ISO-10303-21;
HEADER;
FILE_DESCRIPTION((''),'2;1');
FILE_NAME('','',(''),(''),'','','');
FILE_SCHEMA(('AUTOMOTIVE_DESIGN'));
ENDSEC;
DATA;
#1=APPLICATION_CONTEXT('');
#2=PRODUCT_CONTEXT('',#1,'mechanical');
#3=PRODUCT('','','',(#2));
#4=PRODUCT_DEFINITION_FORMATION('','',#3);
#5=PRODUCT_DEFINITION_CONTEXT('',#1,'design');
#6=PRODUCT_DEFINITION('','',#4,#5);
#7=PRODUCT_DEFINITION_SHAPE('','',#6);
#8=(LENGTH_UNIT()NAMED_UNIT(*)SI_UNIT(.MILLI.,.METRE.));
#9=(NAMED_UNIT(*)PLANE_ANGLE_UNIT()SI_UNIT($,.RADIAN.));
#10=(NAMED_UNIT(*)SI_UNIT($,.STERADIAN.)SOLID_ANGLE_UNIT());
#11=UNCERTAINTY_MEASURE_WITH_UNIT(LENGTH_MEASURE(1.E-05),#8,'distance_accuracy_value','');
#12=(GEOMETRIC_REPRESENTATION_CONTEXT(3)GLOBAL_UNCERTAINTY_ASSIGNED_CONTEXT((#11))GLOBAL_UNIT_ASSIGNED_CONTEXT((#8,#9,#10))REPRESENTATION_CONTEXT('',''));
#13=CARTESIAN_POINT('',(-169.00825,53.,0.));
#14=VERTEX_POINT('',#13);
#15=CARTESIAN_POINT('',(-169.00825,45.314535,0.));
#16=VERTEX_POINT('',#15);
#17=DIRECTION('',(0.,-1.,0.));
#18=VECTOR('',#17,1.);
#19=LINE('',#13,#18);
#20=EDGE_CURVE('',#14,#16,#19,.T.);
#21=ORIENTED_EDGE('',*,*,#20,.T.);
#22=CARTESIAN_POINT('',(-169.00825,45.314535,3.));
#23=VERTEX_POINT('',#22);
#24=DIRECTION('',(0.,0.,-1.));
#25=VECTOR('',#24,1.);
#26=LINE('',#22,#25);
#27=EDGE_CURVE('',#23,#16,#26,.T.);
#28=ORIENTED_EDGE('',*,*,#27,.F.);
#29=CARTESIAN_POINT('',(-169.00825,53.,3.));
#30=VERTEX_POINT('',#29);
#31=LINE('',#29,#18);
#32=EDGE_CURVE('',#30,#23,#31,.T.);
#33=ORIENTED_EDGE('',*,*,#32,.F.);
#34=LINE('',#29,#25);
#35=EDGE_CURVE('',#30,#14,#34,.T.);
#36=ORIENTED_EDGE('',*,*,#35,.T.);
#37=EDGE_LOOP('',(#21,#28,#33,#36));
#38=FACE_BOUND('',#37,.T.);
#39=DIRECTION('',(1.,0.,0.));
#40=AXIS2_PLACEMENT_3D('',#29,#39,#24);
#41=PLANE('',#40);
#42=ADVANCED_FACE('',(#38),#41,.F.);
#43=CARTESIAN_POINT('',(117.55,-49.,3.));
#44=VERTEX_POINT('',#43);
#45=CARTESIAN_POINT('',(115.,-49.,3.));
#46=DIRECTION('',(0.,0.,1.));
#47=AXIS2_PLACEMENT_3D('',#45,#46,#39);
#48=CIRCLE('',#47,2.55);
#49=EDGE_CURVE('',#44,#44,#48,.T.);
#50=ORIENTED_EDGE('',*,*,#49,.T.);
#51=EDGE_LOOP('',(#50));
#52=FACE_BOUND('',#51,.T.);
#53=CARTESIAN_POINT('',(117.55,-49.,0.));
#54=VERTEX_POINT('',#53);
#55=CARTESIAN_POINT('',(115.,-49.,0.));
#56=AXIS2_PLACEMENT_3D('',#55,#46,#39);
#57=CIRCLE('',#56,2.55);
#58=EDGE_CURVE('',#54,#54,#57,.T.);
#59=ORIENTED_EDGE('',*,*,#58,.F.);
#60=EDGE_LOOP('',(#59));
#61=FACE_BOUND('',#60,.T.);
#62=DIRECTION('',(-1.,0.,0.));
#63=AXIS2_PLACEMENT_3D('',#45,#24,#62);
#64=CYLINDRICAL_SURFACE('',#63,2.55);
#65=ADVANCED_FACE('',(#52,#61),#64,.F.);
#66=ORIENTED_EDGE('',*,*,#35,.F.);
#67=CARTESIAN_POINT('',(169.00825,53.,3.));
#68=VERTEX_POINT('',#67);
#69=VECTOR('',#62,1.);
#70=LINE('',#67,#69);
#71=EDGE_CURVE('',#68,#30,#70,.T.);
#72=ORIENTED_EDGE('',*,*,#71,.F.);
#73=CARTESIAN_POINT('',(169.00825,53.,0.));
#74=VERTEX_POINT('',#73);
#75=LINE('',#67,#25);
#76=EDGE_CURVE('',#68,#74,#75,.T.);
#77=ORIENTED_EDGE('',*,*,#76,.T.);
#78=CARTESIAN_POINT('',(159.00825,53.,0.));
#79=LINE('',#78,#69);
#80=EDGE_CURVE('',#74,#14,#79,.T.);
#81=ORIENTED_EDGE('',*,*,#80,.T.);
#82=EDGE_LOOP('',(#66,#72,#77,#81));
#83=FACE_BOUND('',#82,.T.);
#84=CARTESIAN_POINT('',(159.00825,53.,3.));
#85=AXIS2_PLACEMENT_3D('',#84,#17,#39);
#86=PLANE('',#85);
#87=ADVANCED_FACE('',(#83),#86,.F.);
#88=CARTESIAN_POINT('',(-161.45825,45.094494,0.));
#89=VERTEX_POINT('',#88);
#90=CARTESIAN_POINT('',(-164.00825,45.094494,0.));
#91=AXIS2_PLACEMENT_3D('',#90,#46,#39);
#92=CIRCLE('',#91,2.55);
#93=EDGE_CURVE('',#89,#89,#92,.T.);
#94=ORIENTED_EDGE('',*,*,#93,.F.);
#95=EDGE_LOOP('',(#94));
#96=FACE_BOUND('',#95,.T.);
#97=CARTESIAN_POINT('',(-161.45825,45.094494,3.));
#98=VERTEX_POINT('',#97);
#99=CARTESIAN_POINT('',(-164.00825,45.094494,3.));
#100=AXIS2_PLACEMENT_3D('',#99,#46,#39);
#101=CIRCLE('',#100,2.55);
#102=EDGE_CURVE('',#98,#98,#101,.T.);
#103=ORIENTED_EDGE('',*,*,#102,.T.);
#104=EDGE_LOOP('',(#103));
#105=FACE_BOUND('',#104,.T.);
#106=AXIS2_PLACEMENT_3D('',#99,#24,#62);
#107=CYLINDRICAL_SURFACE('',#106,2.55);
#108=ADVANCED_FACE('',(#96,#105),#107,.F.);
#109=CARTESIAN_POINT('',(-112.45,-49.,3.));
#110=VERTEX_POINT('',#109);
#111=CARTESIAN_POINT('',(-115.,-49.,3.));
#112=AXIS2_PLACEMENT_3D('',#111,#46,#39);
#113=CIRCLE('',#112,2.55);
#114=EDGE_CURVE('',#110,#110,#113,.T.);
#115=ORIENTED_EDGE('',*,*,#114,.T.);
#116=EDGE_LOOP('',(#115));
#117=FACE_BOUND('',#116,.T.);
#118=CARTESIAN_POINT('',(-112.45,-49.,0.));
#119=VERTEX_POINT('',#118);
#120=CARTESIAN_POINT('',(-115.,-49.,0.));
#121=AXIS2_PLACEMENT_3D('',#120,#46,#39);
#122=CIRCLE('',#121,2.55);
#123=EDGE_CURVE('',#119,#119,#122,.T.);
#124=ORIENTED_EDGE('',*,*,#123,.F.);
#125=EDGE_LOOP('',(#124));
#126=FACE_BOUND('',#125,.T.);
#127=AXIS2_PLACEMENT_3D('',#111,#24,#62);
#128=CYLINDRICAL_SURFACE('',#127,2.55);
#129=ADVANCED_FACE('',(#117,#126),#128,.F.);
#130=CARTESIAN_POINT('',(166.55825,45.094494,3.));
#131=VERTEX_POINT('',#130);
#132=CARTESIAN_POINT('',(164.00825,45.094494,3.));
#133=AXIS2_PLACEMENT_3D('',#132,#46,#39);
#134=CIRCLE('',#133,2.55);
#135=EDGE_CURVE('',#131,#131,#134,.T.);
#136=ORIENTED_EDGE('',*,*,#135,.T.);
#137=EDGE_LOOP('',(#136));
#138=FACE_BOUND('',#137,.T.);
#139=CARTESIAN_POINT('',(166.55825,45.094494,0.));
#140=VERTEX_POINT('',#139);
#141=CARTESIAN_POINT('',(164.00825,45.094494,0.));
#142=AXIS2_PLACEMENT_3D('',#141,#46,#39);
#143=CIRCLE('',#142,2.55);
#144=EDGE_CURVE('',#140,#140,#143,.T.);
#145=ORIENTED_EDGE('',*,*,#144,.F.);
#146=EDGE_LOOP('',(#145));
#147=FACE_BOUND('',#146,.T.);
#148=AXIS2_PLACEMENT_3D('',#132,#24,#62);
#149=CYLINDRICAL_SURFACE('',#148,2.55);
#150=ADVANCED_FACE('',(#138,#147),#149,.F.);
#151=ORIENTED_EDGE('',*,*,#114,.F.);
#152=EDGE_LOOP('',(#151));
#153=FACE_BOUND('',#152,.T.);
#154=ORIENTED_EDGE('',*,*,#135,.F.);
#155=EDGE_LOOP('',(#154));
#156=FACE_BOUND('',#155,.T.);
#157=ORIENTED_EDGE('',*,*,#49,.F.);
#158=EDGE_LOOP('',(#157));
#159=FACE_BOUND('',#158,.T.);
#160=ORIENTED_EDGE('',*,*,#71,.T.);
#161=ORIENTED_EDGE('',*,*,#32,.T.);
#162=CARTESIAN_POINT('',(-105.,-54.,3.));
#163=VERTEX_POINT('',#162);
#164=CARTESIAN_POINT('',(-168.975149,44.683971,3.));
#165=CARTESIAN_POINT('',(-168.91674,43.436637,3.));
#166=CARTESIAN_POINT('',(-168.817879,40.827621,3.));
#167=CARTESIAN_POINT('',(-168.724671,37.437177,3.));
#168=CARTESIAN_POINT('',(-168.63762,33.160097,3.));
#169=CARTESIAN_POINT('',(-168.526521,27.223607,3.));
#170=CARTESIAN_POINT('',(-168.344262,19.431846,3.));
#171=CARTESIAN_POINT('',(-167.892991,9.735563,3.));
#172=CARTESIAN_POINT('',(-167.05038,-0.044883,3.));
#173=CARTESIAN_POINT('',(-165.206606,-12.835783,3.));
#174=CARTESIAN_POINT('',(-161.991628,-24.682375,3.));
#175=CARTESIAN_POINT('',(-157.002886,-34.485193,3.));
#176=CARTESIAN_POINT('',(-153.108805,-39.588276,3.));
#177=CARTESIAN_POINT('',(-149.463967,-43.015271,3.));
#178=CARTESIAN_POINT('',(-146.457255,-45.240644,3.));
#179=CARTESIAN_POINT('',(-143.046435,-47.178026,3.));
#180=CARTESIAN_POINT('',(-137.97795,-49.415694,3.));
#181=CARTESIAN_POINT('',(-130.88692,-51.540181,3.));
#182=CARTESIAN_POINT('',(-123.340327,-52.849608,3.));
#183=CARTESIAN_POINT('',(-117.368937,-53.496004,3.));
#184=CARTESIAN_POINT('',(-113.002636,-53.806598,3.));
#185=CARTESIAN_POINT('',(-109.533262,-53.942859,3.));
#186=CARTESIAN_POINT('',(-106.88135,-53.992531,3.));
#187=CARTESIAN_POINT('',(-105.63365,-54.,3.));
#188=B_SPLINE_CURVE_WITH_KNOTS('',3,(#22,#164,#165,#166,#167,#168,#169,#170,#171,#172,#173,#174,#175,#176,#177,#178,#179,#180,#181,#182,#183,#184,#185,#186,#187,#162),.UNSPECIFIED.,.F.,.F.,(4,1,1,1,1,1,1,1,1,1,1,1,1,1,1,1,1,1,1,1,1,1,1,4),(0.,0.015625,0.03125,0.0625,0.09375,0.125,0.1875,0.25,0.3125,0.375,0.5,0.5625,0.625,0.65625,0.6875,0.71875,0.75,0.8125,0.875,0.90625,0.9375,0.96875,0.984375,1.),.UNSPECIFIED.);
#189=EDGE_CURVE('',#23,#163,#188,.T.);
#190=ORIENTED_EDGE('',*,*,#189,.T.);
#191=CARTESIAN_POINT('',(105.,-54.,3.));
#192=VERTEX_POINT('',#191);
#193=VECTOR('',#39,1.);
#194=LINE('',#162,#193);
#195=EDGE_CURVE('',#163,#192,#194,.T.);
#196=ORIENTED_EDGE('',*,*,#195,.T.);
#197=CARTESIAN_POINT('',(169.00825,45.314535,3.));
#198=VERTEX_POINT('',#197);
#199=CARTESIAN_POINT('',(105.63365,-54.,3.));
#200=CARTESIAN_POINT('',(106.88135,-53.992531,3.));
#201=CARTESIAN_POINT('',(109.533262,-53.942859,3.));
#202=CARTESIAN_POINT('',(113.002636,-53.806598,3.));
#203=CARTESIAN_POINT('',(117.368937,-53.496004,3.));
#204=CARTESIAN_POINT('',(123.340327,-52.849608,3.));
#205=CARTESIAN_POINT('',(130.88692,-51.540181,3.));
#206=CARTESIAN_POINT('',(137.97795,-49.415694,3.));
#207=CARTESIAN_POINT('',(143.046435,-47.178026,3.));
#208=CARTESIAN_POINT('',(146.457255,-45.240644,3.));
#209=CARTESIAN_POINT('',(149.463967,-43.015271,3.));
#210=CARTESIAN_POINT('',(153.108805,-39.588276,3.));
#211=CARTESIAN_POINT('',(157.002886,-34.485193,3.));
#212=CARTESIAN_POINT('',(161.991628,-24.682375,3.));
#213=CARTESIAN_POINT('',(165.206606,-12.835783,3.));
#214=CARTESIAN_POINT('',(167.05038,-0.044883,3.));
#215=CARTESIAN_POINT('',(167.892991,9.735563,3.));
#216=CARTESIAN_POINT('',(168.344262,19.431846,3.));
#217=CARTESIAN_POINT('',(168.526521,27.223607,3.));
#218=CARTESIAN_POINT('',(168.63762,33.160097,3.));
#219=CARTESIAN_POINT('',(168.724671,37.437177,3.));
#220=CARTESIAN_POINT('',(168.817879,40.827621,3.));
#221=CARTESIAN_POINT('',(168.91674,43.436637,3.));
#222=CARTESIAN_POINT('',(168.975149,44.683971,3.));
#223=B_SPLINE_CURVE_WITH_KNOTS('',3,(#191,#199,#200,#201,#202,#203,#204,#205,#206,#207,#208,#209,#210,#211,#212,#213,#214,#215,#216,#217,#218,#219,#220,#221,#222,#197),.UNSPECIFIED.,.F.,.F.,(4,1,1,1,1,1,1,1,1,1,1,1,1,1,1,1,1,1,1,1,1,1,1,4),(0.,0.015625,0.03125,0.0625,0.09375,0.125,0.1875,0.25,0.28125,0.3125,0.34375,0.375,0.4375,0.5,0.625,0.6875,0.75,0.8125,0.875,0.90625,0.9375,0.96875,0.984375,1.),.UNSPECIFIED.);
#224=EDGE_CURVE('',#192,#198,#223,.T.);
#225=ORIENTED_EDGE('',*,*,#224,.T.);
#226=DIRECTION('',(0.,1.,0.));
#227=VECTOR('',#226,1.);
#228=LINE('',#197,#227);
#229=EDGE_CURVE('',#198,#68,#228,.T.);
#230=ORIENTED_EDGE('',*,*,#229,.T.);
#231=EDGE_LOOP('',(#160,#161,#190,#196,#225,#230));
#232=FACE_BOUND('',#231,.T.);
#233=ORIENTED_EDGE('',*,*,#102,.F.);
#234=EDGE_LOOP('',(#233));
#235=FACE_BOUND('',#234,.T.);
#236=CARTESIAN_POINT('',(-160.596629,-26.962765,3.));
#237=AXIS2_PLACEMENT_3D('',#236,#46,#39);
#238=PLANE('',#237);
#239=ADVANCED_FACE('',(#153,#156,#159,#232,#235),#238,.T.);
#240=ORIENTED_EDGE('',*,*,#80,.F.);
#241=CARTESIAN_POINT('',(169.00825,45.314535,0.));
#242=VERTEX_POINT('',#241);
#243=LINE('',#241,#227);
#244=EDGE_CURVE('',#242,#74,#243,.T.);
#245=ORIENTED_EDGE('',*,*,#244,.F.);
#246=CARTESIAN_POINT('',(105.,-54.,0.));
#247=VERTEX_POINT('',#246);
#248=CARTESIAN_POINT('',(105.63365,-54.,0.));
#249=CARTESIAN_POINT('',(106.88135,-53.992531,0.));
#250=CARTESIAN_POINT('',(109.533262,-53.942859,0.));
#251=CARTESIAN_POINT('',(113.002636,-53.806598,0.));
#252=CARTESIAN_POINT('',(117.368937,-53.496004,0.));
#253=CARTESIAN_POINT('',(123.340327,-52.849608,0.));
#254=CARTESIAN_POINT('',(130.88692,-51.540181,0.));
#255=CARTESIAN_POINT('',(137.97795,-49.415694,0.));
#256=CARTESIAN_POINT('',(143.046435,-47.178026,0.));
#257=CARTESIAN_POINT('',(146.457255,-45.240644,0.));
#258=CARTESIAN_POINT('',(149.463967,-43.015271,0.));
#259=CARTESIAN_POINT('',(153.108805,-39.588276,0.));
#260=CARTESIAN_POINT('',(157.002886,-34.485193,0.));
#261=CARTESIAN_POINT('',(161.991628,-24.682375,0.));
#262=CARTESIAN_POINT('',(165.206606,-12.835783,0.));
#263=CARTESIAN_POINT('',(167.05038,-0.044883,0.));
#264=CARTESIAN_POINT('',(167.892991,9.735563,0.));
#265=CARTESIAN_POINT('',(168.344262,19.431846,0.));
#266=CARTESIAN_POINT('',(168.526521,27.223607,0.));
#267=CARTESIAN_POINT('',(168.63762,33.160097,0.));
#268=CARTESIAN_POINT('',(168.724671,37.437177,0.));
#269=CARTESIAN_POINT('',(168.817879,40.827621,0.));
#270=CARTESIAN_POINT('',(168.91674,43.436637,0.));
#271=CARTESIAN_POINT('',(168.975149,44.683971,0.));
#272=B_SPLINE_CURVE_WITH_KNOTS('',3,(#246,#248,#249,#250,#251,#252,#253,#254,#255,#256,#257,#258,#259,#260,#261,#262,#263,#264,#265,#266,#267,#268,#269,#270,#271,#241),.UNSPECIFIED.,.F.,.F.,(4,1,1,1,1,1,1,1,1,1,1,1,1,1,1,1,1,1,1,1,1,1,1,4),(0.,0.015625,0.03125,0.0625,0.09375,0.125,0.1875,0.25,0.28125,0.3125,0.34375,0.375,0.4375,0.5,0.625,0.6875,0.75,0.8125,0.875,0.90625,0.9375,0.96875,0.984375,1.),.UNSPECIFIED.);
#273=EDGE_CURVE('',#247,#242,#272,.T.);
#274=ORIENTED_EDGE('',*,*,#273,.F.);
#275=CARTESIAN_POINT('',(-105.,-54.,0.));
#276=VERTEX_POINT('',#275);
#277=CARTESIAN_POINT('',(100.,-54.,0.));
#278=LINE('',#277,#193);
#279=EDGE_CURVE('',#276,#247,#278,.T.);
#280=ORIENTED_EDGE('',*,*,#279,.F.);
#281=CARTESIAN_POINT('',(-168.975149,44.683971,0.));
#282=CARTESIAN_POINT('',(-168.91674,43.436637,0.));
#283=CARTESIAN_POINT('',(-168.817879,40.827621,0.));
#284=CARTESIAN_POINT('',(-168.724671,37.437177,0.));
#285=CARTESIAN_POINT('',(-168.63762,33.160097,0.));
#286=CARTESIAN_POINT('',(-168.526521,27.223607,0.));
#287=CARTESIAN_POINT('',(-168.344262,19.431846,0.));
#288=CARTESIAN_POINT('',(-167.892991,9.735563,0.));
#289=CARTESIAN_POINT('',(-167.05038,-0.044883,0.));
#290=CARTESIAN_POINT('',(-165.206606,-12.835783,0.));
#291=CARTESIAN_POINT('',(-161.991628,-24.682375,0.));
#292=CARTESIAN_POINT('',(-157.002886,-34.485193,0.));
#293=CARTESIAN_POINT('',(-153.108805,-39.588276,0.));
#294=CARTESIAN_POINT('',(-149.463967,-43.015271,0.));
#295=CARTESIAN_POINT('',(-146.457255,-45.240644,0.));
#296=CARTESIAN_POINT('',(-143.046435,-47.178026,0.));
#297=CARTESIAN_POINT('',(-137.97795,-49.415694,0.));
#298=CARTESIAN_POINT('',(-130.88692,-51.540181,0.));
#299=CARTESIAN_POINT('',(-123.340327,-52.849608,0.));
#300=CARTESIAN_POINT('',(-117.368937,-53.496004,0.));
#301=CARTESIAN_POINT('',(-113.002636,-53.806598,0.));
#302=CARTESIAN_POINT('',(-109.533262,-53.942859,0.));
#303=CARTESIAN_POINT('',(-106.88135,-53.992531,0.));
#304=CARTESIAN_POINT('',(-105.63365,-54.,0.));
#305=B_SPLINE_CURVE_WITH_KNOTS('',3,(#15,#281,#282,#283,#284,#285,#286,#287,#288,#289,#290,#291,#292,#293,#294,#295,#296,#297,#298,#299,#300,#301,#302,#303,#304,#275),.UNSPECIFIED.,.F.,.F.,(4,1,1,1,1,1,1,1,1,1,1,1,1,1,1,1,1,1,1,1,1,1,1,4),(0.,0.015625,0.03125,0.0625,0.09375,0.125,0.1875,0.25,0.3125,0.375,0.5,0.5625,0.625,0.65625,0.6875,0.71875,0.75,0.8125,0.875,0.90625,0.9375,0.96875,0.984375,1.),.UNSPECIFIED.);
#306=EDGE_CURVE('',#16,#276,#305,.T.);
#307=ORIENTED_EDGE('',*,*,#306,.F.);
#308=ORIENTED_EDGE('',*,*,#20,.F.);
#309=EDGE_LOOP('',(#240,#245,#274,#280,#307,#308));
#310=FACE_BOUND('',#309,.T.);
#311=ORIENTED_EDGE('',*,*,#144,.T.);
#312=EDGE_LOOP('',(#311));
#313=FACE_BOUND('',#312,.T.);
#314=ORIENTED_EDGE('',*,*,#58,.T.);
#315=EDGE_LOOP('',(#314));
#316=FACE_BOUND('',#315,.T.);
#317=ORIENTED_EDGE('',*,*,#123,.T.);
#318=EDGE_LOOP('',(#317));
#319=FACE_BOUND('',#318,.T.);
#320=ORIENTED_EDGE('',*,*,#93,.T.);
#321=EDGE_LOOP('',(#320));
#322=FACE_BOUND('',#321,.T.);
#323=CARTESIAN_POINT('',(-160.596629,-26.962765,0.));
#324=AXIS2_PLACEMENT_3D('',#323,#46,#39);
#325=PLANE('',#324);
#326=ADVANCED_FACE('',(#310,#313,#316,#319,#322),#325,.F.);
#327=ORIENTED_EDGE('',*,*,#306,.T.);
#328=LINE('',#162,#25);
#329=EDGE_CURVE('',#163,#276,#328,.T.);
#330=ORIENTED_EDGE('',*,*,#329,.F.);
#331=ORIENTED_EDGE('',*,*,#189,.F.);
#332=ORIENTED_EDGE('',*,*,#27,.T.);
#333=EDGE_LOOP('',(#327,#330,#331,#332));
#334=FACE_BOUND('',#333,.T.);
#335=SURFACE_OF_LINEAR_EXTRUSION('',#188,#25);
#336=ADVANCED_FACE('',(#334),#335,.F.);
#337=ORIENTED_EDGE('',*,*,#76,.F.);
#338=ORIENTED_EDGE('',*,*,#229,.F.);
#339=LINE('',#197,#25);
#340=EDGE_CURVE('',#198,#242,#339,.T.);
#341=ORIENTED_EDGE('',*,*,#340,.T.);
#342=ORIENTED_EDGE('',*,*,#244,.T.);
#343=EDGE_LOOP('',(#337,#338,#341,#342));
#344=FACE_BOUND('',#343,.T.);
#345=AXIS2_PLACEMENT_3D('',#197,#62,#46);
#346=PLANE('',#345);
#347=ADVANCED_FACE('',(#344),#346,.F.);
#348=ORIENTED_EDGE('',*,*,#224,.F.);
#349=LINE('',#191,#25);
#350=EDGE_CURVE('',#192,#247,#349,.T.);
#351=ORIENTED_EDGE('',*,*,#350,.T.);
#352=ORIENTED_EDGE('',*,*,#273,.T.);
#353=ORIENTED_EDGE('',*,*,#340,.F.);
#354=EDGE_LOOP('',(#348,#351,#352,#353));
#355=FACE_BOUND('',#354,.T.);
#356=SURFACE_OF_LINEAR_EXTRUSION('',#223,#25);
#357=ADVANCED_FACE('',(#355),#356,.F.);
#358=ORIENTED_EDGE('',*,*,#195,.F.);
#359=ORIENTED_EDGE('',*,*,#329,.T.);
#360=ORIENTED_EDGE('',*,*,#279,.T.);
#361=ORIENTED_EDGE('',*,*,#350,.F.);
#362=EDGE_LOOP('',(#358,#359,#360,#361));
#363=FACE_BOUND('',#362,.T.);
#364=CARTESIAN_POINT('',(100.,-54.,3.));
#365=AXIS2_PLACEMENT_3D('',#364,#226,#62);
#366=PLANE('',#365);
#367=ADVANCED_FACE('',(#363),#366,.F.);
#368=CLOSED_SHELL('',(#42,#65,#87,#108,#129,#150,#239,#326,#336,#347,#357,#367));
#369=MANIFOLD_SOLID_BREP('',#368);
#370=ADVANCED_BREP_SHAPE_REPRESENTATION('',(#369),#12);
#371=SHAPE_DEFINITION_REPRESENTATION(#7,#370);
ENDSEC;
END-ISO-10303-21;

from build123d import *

# Parameters (mm, degrees)
SKETCH1_R           = 2.55
BOSS_EXTRUDE1_DEPTH = 3


with BuildPart() as part:
    # Sketch1 → Boss-Extrude1 (new body)
    with BuildSketch(Plane.XY):
        with BuildLine():
            Line((-105, -54), (100, -54))
            Line((100, -54), (105, -54))
            add(Edge.make_bspline(
                [(105, -54), (105.633650265, -54), (106.881350102, -53.992530991), (109.533261796, -53.942858593), (113.002635879, -53.806598388), (117.368936619, -53.49600414), (123.340327478, -52.849607512), (130.886920155, -51.540181374), (137.977949802, -49.415694367), (143.046435341, -47.17802551), (146.457254694, -45.240644354), (149.463967226, -43.015271385), (153.1088048, -39.588275674), (157.002885974, -34.485193361), (161.991627546, -24.682375059), (165.206606421, -12.835783475), (167.050380258, -0.044883033), (167.892991031, 9.735563334), (168.344262076, 19.431846102), (168.526520827, 27.223607092), (168.637619604, 33.160096745), (168.724670595, 37.437176727), (168.817878604, 40.827620977), (168.916739733, 43.436637469), (168.975148793, 44.683971364), (169.008250027, 45.314534983)],
                knots=[0, 0, 0, 0, 0.015625, 0.03125, 0.0625, 0.09375, 0.125, 0.1875, 0.25, 0.28125, 0.3125, 0.34375, 0.375, 0.4375, 0.5, 0.625, 0.6875, 0.75, 0.8125, 0.875, 0.90625, 0.9375, 0.96875, 0.984375, 1, 1, 1, 1], degree=3))
            Line((169.008250027, 45.314534983), (169.008250027, 53))
            Line((169.008250027, 53), (159.008250027, 53))
            Line((159.008250027, 53), (-169.008250027, 53))
            Line((-169.008250027, 53), (-169.008250027, 45.314534983))
            add(Edge.make_bspline(
                [(-169.008250027, 45.314534983), (-168.975148793, 44.683971364), (-168.916739733, 43.436637469), (-168.817878604, 40.827620977), (-168.724670595, 37.437176727), (-168.637619604, 33.160096745), (-168.526520827, 27.223607092), (-168.344262076, 19.431846102), (-167.892991031, 9.735563334), (-167.050380258, -0.044883033), (-165.206606421, -12.835783475), (-161.991627546, -24.682375059), (-157.002885974, -34.485193361), (-153.1088048, -39.588275674), (-149.463967226, -43.015271385), (-146.457254694, -45.240644354), (-143.046435341, -47.17802551), (-137.977949802, -49.415694367), (-130.886920155, -51.540181374), (-123.340327478, -52.849607512), (-117.368936619, -53.49600414), (-113.002635879, -53.806598388), (-109.533261796, -53.942858593), (-106.881350102, -53.992530991), (-105.633650265, -54), (-105, -54)],
                knots=[0, 0, 0, 0, 0.015625, 0.03125, 0.0625, 0.09375, 0.125, 0.1875, 0.25, 0.3125, 0.375, 0.5, 0.5625, 0.625, 0.65625, 0.6875, 0.71875, 0.75, 0.8125, 0.875, 0.90625, 0.9375, 0.96875, 0.984375, 1, 1, 1, 1], degree=3))
        make_face()
        with Locations((-164.008250027, 45.094493973)):
            Circle(SKETCH1_R, mode=Mode.SUBTRACT)
        with Locations((-115, -49)):
            Circle(SKETCH1_R, mode=Mode.SUBTRACT)
        with Locations((164.008250027, 45.094493973)):
            Circle(SKETCH1_R, mode=Mode.SUBTRACT)
        with Locations((115, -49)):
            Circle(SKETCH1_R, mode=Mode.SUBTRACT)
    extrude(amount=BOSS_EXTRUDE1_DEPTH)


solid = part.part
